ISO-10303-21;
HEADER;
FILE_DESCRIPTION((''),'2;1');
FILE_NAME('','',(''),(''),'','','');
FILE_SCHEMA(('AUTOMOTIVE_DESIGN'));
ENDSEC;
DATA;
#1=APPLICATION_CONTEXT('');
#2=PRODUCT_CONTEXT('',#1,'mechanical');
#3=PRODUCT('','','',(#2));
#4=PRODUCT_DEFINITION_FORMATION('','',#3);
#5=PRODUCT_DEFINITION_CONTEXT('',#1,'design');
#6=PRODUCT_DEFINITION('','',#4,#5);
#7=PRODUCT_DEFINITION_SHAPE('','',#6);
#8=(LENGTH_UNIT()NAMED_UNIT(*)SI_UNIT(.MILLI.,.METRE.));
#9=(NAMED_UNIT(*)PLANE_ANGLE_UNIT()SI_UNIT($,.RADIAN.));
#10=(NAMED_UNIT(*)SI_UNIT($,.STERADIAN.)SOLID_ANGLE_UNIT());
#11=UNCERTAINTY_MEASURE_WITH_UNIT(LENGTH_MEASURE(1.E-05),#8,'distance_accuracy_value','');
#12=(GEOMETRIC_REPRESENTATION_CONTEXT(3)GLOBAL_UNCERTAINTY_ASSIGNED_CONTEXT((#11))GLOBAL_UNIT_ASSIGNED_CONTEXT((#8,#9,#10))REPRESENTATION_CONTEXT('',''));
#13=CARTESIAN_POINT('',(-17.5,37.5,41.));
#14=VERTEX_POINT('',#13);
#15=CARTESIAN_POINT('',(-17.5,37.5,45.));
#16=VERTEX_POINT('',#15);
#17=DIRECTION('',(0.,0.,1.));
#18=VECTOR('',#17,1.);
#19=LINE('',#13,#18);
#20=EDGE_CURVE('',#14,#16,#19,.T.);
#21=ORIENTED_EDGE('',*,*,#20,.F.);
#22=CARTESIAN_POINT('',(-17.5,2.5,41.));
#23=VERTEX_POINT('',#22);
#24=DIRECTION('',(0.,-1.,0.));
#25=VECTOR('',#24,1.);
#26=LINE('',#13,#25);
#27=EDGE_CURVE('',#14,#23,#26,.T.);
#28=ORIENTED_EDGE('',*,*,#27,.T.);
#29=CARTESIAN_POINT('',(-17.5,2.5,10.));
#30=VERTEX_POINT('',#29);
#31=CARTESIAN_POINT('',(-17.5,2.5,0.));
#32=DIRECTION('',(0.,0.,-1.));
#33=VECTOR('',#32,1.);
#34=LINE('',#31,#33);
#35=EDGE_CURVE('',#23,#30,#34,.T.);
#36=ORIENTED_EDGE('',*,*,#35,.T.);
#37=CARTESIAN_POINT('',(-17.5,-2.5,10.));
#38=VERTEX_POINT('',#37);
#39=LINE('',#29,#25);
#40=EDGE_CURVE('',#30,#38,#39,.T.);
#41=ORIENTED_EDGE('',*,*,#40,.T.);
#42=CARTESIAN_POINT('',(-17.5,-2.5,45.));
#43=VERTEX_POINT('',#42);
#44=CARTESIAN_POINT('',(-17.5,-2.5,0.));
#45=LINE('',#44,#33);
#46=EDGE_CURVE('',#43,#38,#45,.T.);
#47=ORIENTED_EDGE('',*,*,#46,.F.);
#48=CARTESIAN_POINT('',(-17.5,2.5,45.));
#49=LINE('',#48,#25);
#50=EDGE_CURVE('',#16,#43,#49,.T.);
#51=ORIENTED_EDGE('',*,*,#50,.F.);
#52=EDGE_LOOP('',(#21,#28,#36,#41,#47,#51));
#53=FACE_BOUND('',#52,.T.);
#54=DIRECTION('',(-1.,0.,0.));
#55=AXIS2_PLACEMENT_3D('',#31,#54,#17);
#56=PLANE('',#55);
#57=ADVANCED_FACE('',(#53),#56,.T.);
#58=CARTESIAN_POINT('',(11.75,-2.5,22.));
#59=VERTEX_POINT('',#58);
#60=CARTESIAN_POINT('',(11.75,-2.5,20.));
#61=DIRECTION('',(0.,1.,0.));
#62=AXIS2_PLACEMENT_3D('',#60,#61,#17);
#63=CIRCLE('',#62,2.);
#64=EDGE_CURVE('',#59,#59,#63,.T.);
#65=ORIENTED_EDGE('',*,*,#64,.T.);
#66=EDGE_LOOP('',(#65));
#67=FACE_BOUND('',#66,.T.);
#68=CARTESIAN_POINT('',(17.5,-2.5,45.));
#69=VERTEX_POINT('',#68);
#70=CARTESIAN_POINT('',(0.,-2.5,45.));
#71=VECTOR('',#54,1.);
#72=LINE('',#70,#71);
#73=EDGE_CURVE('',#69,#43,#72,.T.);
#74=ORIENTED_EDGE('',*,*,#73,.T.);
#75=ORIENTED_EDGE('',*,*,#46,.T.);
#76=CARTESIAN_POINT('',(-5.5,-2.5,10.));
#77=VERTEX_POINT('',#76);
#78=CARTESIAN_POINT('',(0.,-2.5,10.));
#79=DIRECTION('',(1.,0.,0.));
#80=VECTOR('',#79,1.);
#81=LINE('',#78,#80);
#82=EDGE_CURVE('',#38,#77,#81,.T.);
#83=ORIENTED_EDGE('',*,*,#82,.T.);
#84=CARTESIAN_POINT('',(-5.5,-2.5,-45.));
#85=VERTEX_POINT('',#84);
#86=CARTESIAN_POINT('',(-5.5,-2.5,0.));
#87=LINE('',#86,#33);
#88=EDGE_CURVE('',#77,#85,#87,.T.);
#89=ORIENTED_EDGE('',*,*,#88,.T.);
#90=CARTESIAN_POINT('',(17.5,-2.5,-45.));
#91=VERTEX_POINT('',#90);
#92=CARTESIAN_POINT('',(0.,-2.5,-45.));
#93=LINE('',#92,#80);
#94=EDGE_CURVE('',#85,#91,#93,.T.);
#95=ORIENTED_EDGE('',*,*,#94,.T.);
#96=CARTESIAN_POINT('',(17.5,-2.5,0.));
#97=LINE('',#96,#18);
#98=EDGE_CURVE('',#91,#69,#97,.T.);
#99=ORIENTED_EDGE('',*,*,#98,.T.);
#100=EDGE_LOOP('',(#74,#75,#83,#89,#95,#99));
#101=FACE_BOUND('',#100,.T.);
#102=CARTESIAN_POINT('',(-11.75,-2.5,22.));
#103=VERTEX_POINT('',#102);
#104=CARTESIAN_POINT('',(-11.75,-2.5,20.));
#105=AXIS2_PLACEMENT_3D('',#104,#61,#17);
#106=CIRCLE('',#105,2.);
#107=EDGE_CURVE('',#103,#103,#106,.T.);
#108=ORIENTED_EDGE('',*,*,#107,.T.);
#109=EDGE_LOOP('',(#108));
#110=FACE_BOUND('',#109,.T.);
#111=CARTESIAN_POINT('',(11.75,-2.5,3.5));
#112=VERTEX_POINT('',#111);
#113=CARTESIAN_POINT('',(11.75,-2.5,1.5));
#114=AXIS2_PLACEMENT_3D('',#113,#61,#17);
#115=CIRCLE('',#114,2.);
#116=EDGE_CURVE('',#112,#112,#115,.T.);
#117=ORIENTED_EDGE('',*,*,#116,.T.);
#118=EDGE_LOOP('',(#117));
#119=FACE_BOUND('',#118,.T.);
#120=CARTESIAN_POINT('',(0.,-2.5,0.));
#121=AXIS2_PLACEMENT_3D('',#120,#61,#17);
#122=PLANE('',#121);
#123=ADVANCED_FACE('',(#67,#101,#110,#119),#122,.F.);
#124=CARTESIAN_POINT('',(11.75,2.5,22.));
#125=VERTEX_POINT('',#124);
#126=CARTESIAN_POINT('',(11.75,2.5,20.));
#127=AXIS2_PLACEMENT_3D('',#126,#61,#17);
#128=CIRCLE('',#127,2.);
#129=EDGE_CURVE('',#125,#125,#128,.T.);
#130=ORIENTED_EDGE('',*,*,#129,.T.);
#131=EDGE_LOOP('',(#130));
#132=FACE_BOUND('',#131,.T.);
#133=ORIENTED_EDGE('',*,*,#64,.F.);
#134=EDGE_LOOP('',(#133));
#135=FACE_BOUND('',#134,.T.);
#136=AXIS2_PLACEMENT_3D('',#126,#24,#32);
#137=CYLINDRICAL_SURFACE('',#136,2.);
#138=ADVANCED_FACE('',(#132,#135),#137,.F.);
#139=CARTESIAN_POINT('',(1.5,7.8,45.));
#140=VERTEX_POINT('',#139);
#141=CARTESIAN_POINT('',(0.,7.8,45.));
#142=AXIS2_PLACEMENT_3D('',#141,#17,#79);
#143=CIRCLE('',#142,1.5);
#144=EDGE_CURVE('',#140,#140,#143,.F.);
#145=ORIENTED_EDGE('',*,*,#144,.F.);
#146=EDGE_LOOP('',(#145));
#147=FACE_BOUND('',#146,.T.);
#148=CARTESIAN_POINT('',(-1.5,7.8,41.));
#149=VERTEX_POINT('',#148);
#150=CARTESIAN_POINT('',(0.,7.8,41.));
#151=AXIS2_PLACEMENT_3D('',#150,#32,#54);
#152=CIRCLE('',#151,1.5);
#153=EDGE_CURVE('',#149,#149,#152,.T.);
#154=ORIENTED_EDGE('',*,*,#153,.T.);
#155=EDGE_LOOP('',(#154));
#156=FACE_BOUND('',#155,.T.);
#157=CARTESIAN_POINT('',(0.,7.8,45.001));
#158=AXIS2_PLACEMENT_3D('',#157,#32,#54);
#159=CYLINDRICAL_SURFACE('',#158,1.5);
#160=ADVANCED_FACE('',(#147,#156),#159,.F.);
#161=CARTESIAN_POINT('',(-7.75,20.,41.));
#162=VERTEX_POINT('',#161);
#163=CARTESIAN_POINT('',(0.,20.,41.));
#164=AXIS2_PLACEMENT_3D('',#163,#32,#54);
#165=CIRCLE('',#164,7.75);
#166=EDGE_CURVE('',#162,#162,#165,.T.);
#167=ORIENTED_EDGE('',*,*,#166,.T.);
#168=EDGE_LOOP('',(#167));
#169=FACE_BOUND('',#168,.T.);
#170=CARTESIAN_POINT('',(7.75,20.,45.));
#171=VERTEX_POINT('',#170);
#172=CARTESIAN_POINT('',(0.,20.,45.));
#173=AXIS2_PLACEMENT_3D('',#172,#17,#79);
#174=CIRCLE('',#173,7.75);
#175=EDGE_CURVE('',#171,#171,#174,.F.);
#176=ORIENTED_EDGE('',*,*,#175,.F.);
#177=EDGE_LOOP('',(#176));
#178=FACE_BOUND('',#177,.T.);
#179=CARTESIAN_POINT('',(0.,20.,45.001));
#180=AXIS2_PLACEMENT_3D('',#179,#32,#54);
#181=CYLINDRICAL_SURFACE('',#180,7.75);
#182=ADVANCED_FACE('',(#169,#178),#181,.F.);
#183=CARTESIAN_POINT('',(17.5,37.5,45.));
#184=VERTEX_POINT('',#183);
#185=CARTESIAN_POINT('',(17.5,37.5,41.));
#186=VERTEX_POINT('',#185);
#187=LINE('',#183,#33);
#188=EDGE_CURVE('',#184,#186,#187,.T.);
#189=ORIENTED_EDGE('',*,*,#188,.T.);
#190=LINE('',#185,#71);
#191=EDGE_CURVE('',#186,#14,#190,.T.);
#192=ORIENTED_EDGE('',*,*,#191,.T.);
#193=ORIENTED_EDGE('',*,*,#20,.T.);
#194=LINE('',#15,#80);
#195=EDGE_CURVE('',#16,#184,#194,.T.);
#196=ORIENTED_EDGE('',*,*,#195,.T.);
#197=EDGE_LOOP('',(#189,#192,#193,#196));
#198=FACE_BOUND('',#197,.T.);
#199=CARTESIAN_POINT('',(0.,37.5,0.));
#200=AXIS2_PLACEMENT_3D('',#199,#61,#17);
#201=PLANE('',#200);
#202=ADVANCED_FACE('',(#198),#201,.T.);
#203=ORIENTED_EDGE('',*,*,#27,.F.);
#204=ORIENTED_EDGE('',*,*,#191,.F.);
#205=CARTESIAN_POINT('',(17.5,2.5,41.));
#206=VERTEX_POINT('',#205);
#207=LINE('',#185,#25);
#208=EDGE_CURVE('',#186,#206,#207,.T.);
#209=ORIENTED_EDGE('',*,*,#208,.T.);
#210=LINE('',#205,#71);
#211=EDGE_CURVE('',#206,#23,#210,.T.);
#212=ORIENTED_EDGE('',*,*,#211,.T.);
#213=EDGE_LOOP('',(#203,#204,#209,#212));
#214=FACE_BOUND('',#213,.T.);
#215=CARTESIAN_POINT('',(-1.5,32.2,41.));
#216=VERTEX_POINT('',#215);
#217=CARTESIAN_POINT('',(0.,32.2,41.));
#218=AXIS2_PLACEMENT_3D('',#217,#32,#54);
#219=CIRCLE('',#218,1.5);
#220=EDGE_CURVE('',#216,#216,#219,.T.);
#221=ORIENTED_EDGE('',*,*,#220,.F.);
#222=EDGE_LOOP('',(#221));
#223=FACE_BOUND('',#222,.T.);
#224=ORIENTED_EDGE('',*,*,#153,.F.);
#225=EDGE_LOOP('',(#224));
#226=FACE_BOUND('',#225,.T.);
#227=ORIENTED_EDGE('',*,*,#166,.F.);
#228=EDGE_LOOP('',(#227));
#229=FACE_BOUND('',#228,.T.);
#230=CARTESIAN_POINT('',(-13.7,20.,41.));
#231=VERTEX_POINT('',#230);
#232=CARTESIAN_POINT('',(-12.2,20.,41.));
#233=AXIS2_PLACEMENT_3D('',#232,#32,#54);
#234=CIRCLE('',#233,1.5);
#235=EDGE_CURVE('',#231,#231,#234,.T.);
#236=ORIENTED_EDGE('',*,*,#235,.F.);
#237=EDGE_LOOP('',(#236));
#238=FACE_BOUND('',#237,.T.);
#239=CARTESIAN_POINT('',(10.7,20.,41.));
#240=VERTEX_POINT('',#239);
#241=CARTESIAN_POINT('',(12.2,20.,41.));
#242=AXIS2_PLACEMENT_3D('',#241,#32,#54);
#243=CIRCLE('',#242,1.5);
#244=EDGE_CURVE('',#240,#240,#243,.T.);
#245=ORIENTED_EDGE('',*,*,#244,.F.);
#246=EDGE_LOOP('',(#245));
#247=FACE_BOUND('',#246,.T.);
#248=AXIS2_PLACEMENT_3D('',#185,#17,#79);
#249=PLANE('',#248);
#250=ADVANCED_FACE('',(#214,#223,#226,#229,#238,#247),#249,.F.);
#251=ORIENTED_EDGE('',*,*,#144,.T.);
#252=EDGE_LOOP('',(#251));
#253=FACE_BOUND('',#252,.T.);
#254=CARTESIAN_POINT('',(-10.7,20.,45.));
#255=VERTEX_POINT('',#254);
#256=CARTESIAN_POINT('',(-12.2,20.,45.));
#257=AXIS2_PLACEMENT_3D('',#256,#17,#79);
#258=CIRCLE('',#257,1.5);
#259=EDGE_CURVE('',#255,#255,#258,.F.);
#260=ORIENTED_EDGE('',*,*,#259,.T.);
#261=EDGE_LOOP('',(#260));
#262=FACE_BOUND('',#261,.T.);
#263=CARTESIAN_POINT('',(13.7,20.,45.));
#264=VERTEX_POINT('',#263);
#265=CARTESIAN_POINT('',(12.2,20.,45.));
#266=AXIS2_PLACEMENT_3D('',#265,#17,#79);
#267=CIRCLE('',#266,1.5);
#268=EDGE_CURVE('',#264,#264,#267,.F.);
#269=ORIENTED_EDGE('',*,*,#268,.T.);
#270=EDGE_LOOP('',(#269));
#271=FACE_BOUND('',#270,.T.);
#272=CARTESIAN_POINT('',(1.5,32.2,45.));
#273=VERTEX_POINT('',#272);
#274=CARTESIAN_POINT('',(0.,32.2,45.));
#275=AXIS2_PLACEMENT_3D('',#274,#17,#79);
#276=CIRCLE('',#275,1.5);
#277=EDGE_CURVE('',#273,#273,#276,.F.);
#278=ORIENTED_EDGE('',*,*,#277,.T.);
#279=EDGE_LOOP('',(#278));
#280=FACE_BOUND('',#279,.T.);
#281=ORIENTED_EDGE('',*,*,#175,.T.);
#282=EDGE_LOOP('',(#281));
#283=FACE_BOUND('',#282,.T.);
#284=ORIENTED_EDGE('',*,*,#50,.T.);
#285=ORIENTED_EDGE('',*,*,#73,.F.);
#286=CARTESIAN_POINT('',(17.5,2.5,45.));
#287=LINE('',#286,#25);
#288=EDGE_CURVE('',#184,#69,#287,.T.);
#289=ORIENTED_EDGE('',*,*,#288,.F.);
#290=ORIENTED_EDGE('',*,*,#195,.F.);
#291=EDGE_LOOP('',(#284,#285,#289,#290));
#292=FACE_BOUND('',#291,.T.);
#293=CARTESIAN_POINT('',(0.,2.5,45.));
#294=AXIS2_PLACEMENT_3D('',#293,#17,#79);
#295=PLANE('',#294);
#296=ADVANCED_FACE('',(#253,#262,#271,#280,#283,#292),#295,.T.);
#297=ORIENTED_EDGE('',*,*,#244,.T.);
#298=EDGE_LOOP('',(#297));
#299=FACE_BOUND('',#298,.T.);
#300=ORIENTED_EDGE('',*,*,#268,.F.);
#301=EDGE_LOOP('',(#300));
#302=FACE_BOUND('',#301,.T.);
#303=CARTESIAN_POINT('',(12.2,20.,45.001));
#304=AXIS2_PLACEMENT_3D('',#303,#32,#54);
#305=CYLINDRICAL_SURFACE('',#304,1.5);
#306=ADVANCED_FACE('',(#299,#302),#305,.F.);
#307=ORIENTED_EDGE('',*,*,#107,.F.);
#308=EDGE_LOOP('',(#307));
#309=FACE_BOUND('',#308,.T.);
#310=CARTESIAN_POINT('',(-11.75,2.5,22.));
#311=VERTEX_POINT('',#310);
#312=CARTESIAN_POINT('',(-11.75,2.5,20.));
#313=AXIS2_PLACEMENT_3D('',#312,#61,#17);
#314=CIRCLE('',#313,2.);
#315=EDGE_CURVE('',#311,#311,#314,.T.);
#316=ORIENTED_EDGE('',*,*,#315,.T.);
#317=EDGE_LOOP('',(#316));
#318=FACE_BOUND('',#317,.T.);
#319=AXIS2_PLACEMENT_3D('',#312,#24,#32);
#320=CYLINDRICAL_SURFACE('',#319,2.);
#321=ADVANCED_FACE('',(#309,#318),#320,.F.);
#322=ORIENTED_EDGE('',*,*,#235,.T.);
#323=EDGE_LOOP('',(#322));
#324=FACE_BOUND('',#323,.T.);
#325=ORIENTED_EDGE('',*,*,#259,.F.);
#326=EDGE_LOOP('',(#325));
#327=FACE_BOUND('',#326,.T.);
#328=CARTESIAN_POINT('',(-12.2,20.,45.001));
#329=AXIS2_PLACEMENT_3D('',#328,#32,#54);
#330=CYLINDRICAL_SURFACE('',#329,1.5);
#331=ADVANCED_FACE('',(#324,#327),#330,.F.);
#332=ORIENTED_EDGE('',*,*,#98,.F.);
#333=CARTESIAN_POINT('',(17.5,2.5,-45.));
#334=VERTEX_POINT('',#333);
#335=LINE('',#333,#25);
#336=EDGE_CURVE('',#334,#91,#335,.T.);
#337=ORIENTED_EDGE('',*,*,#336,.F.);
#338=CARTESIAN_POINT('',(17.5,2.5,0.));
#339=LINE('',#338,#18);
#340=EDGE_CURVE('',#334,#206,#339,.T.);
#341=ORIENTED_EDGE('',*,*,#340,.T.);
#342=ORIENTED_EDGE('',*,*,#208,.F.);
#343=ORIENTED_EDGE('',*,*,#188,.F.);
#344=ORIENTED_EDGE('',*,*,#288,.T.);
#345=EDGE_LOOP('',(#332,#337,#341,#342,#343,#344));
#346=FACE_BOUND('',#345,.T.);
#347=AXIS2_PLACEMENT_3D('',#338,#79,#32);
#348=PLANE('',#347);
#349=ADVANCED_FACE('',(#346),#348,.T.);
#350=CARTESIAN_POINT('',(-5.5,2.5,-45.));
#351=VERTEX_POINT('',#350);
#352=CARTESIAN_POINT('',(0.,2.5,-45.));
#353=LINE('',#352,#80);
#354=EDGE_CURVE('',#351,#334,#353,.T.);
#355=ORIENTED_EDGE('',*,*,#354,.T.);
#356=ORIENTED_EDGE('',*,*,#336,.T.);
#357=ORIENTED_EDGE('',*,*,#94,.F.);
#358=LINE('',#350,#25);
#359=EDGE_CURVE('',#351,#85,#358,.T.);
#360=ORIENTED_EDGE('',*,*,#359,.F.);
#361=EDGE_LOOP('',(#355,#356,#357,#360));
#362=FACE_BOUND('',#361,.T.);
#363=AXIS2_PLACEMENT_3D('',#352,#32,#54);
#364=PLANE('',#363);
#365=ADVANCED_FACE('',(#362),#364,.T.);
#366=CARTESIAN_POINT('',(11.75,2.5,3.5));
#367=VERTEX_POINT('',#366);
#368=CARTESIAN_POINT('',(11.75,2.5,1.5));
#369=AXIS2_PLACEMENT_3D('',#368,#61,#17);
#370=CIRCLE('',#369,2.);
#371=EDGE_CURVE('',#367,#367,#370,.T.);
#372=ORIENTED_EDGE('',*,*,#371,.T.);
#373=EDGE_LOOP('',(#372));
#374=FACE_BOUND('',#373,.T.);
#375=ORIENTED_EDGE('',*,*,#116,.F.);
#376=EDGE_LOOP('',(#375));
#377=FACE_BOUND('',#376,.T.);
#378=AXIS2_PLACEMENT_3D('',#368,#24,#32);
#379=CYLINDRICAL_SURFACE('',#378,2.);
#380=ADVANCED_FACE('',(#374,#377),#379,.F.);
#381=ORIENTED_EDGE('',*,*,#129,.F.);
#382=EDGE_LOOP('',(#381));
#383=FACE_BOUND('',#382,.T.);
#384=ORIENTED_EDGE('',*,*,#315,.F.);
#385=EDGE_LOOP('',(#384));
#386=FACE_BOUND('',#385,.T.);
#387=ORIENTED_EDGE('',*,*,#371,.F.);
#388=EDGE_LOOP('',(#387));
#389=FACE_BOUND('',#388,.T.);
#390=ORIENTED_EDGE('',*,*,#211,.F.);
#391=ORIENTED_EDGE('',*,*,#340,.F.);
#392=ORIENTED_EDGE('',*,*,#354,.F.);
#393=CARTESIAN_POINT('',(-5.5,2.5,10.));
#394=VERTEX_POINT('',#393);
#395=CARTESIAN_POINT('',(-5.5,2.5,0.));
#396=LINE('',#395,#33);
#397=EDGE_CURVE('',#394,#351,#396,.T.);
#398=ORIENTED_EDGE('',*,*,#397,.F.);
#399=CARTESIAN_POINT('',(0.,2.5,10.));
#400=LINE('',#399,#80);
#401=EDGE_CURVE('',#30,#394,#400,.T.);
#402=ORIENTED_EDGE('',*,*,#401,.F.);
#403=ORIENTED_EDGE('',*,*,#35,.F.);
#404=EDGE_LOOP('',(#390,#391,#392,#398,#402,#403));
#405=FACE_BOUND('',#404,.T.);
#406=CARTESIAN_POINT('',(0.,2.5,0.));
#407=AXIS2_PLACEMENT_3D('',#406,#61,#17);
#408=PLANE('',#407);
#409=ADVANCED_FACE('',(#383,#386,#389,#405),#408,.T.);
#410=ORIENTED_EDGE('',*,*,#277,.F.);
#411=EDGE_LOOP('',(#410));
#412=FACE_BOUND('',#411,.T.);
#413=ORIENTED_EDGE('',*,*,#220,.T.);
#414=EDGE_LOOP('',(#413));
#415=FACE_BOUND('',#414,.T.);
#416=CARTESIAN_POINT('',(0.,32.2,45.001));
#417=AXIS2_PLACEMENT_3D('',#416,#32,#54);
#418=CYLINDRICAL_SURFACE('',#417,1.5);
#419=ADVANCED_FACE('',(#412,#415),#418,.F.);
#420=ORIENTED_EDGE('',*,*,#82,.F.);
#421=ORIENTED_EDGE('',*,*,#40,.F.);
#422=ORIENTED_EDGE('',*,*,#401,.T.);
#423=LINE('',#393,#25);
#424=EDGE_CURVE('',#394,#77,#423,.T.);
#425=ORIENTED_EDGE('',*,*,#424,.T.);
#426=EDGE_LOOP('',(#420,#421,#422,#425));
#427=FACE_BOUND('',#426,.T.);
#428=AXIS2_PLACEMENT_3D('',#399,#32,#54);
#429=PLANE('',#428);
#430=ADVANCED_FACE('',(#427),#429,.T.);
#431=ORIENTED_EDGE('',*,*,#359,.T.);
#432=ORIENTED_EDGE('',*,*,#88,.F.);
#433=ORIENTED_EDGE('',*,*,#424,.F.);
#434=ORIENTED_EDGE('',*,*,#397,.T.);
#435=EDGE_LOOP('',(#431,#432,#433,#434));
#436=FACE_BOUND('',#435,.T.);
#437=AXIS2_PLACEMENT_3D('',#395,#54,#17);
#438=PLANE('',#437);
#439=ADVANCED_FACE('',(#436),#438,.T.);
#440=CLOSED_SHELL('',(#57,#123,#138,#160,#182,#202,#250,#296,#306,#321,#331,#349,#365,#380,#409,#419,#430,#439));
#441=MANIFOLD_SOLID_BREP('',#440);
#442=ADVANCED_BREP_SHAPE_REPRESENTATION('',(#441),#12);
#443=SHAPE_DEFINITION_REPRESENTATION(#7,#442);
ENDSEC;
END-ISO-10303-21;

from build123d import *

# Parameters (mm, degrees)
SKETCH1_R           = 2
BOSS_EXTRUDE1_DEPTH = 2.5
SKETCH2_W           = 35
SKETCH2_H           = 4
BOSS_EXTRUDE2_DEPTH = 35
CUT_EXTRUDE1_REACH  = 6
SKETCH3_R           = 1.5
SKETCH3_R_2         = 7.75


with BuildPart() as part:
    # Sketch1 → Boss-Extrude1 (new body, symmetric)
    with BuildSketch(Plane(origin=(0, 0, 0), x_dir=(1, 0, 0), z_dir=(0, 1, 0))):
        Polygon((17.5, 45), (-5.5, 45), (-5.5, -10), (-17.5, -10), (-17.5, -45), (17.5, -45), align=None)
        with Locations((-11.75, -20)):
            Circle(SKETCH1_R, mode=Mode.SUBTRACT)
        with BuildLine():
            ThreePointArc((13.75, -20), (11.75, -22), (9.75, -20))
            ThreePointArc((9.75, -20), (11.75, -18), (13.75, -20))
        make_face(mode=Mode.SUBTRACT)
        with Locations((11.75, -1.5)):
            Circle(SKETCH1_R, mode=Mode.SUBTRACT)
    extrude(amount=BOSS_EXTRUDE1_DEPTH, both=True)

    # Sketch2 → Boss-Extrude2 (add)
    with BuildSketch(Plane(origin=(0, 2.5, 0), x_dir=(1, 0, 0), z_dir=(0, 1, 0))):
        with Locations((0, -43)):
            Rectangle(SKETCH2_W, SKETCH2_H)
    extrude(amount=BOSS_EXTRUDE2_DEPTH)

    # Sketch3 → Cut-Extrude1 (cut, up to next)
    with BuildSketch(Plane(origin=(0, 0, 41), x_dir=(-1, 0, 0), z_dir=(0, 0, -1)), mode=Mode.PRIVATE) as cut_extrude1_sk1:
        with Locations((-12.2, 20)):
            Circle(SKETCH3_R)
    cut_extrude1_tool1 = extrude(cut_extrude1_sk1.sketch, amount=-CUT_EXTRUDE1_REACH, mode=Mode.PRIVATE) & part.part
    add(cut_extrude1_tool1.solids().sort_by_distance((12.2, 20, 41))[0], mode=Mode.SUBTRACT)
    # Sketch3 → Cut-Extrude1 (cut, up to next)
    with BuildSketch(Plane(origin=(0, 0, 41), x_dir=(-1, 0, 0), z_dir=(0, 0, -1)), mode=Mode.PRIVATE) as cut_extrude1_sk2:
        with Locations((0, 32.2)):
            Circle(SKETCH3_R)
    cut_extrude1_tool2 = extrude(cut_extrude1_sk2.sketch, amount=-CUT_EXTRUDE1_REACH, mode=Mode.PRIVATE) & part.part
    add(cut_extrude1_tool2.solids().sort_by_distance((0, 32.2, 41))[0], mode=Mode.SUBTRACT)
    # Sketch3 → Cut-Extrude1 (cut, up to next)
    with BuildSketch(Plane(origin=(0, 0, 41), x_dir=(-1, 0, 0), z_dir=(0, 0, -1)), mode=Mode.PRIVATE) as cut_extrude1_sk3:
        with Locations((12.2, 20)):
            Circle(SKETCH3_R)
    cut_extrude1_tool3 = extrude(cut_extrude1_sk3.sketch, amount=-CUT_EXTRUDE1_REACH, mode=Mode.PRIVATE) & part.part
    add(cut_extrude1_tool3.solids().sort_by_distance((-12.2, 20, 41))[0], mode=Mode.SUBTRACT)
    # Sketch3 → Cut-Extrude1 (cut, up to next)
    with BuildSketch(Plane(origin=(0, 0, 41), x_dir=(-1, 0, 0), z_dir=(0, 0, -1)), mode=Mode.PRIVATE) as cut_extrude1_sk4:
        with Locations((0, 20)):
            Circle(SKETCH3_R_2)
    cut_extrude1_tool4 = extrude(cut_extrude1_sk4.sketch, amount=-CUT_EXTRUDE1_REACH, mode=Mode.PRIVATE) & part.part
    add(cut_extrude1_tool4.solids().sort_by_distance((0, 20, 41))[0], mode=Mode.SUBTRACT)
    # Sketch3 → Cut-Extrude1 (cut, up to next)
    with BuildSketch(Plane(origin=(0, 0, 41), x_dir=(-1, 0, 0), z_dir=(0, 0, -1)), mode=Mode.PRIVATE) as cut_extrude1_sk5:
        with Locations((0, 7.8)):
            Circle(SKETCH3_R)
    cut_extrude1_tool5 = extrude(cut_extrude1_sk5.sketch, amount=-CUT_EXTRUDE1_REACH, mode=Mode.PRIVATE) & part.part
    add(cut_extrude1_tool5.solids().sort_by_distance((0, 7.8, 41))[0], mode=Mode.SUBTRACT)


solid = part.part
